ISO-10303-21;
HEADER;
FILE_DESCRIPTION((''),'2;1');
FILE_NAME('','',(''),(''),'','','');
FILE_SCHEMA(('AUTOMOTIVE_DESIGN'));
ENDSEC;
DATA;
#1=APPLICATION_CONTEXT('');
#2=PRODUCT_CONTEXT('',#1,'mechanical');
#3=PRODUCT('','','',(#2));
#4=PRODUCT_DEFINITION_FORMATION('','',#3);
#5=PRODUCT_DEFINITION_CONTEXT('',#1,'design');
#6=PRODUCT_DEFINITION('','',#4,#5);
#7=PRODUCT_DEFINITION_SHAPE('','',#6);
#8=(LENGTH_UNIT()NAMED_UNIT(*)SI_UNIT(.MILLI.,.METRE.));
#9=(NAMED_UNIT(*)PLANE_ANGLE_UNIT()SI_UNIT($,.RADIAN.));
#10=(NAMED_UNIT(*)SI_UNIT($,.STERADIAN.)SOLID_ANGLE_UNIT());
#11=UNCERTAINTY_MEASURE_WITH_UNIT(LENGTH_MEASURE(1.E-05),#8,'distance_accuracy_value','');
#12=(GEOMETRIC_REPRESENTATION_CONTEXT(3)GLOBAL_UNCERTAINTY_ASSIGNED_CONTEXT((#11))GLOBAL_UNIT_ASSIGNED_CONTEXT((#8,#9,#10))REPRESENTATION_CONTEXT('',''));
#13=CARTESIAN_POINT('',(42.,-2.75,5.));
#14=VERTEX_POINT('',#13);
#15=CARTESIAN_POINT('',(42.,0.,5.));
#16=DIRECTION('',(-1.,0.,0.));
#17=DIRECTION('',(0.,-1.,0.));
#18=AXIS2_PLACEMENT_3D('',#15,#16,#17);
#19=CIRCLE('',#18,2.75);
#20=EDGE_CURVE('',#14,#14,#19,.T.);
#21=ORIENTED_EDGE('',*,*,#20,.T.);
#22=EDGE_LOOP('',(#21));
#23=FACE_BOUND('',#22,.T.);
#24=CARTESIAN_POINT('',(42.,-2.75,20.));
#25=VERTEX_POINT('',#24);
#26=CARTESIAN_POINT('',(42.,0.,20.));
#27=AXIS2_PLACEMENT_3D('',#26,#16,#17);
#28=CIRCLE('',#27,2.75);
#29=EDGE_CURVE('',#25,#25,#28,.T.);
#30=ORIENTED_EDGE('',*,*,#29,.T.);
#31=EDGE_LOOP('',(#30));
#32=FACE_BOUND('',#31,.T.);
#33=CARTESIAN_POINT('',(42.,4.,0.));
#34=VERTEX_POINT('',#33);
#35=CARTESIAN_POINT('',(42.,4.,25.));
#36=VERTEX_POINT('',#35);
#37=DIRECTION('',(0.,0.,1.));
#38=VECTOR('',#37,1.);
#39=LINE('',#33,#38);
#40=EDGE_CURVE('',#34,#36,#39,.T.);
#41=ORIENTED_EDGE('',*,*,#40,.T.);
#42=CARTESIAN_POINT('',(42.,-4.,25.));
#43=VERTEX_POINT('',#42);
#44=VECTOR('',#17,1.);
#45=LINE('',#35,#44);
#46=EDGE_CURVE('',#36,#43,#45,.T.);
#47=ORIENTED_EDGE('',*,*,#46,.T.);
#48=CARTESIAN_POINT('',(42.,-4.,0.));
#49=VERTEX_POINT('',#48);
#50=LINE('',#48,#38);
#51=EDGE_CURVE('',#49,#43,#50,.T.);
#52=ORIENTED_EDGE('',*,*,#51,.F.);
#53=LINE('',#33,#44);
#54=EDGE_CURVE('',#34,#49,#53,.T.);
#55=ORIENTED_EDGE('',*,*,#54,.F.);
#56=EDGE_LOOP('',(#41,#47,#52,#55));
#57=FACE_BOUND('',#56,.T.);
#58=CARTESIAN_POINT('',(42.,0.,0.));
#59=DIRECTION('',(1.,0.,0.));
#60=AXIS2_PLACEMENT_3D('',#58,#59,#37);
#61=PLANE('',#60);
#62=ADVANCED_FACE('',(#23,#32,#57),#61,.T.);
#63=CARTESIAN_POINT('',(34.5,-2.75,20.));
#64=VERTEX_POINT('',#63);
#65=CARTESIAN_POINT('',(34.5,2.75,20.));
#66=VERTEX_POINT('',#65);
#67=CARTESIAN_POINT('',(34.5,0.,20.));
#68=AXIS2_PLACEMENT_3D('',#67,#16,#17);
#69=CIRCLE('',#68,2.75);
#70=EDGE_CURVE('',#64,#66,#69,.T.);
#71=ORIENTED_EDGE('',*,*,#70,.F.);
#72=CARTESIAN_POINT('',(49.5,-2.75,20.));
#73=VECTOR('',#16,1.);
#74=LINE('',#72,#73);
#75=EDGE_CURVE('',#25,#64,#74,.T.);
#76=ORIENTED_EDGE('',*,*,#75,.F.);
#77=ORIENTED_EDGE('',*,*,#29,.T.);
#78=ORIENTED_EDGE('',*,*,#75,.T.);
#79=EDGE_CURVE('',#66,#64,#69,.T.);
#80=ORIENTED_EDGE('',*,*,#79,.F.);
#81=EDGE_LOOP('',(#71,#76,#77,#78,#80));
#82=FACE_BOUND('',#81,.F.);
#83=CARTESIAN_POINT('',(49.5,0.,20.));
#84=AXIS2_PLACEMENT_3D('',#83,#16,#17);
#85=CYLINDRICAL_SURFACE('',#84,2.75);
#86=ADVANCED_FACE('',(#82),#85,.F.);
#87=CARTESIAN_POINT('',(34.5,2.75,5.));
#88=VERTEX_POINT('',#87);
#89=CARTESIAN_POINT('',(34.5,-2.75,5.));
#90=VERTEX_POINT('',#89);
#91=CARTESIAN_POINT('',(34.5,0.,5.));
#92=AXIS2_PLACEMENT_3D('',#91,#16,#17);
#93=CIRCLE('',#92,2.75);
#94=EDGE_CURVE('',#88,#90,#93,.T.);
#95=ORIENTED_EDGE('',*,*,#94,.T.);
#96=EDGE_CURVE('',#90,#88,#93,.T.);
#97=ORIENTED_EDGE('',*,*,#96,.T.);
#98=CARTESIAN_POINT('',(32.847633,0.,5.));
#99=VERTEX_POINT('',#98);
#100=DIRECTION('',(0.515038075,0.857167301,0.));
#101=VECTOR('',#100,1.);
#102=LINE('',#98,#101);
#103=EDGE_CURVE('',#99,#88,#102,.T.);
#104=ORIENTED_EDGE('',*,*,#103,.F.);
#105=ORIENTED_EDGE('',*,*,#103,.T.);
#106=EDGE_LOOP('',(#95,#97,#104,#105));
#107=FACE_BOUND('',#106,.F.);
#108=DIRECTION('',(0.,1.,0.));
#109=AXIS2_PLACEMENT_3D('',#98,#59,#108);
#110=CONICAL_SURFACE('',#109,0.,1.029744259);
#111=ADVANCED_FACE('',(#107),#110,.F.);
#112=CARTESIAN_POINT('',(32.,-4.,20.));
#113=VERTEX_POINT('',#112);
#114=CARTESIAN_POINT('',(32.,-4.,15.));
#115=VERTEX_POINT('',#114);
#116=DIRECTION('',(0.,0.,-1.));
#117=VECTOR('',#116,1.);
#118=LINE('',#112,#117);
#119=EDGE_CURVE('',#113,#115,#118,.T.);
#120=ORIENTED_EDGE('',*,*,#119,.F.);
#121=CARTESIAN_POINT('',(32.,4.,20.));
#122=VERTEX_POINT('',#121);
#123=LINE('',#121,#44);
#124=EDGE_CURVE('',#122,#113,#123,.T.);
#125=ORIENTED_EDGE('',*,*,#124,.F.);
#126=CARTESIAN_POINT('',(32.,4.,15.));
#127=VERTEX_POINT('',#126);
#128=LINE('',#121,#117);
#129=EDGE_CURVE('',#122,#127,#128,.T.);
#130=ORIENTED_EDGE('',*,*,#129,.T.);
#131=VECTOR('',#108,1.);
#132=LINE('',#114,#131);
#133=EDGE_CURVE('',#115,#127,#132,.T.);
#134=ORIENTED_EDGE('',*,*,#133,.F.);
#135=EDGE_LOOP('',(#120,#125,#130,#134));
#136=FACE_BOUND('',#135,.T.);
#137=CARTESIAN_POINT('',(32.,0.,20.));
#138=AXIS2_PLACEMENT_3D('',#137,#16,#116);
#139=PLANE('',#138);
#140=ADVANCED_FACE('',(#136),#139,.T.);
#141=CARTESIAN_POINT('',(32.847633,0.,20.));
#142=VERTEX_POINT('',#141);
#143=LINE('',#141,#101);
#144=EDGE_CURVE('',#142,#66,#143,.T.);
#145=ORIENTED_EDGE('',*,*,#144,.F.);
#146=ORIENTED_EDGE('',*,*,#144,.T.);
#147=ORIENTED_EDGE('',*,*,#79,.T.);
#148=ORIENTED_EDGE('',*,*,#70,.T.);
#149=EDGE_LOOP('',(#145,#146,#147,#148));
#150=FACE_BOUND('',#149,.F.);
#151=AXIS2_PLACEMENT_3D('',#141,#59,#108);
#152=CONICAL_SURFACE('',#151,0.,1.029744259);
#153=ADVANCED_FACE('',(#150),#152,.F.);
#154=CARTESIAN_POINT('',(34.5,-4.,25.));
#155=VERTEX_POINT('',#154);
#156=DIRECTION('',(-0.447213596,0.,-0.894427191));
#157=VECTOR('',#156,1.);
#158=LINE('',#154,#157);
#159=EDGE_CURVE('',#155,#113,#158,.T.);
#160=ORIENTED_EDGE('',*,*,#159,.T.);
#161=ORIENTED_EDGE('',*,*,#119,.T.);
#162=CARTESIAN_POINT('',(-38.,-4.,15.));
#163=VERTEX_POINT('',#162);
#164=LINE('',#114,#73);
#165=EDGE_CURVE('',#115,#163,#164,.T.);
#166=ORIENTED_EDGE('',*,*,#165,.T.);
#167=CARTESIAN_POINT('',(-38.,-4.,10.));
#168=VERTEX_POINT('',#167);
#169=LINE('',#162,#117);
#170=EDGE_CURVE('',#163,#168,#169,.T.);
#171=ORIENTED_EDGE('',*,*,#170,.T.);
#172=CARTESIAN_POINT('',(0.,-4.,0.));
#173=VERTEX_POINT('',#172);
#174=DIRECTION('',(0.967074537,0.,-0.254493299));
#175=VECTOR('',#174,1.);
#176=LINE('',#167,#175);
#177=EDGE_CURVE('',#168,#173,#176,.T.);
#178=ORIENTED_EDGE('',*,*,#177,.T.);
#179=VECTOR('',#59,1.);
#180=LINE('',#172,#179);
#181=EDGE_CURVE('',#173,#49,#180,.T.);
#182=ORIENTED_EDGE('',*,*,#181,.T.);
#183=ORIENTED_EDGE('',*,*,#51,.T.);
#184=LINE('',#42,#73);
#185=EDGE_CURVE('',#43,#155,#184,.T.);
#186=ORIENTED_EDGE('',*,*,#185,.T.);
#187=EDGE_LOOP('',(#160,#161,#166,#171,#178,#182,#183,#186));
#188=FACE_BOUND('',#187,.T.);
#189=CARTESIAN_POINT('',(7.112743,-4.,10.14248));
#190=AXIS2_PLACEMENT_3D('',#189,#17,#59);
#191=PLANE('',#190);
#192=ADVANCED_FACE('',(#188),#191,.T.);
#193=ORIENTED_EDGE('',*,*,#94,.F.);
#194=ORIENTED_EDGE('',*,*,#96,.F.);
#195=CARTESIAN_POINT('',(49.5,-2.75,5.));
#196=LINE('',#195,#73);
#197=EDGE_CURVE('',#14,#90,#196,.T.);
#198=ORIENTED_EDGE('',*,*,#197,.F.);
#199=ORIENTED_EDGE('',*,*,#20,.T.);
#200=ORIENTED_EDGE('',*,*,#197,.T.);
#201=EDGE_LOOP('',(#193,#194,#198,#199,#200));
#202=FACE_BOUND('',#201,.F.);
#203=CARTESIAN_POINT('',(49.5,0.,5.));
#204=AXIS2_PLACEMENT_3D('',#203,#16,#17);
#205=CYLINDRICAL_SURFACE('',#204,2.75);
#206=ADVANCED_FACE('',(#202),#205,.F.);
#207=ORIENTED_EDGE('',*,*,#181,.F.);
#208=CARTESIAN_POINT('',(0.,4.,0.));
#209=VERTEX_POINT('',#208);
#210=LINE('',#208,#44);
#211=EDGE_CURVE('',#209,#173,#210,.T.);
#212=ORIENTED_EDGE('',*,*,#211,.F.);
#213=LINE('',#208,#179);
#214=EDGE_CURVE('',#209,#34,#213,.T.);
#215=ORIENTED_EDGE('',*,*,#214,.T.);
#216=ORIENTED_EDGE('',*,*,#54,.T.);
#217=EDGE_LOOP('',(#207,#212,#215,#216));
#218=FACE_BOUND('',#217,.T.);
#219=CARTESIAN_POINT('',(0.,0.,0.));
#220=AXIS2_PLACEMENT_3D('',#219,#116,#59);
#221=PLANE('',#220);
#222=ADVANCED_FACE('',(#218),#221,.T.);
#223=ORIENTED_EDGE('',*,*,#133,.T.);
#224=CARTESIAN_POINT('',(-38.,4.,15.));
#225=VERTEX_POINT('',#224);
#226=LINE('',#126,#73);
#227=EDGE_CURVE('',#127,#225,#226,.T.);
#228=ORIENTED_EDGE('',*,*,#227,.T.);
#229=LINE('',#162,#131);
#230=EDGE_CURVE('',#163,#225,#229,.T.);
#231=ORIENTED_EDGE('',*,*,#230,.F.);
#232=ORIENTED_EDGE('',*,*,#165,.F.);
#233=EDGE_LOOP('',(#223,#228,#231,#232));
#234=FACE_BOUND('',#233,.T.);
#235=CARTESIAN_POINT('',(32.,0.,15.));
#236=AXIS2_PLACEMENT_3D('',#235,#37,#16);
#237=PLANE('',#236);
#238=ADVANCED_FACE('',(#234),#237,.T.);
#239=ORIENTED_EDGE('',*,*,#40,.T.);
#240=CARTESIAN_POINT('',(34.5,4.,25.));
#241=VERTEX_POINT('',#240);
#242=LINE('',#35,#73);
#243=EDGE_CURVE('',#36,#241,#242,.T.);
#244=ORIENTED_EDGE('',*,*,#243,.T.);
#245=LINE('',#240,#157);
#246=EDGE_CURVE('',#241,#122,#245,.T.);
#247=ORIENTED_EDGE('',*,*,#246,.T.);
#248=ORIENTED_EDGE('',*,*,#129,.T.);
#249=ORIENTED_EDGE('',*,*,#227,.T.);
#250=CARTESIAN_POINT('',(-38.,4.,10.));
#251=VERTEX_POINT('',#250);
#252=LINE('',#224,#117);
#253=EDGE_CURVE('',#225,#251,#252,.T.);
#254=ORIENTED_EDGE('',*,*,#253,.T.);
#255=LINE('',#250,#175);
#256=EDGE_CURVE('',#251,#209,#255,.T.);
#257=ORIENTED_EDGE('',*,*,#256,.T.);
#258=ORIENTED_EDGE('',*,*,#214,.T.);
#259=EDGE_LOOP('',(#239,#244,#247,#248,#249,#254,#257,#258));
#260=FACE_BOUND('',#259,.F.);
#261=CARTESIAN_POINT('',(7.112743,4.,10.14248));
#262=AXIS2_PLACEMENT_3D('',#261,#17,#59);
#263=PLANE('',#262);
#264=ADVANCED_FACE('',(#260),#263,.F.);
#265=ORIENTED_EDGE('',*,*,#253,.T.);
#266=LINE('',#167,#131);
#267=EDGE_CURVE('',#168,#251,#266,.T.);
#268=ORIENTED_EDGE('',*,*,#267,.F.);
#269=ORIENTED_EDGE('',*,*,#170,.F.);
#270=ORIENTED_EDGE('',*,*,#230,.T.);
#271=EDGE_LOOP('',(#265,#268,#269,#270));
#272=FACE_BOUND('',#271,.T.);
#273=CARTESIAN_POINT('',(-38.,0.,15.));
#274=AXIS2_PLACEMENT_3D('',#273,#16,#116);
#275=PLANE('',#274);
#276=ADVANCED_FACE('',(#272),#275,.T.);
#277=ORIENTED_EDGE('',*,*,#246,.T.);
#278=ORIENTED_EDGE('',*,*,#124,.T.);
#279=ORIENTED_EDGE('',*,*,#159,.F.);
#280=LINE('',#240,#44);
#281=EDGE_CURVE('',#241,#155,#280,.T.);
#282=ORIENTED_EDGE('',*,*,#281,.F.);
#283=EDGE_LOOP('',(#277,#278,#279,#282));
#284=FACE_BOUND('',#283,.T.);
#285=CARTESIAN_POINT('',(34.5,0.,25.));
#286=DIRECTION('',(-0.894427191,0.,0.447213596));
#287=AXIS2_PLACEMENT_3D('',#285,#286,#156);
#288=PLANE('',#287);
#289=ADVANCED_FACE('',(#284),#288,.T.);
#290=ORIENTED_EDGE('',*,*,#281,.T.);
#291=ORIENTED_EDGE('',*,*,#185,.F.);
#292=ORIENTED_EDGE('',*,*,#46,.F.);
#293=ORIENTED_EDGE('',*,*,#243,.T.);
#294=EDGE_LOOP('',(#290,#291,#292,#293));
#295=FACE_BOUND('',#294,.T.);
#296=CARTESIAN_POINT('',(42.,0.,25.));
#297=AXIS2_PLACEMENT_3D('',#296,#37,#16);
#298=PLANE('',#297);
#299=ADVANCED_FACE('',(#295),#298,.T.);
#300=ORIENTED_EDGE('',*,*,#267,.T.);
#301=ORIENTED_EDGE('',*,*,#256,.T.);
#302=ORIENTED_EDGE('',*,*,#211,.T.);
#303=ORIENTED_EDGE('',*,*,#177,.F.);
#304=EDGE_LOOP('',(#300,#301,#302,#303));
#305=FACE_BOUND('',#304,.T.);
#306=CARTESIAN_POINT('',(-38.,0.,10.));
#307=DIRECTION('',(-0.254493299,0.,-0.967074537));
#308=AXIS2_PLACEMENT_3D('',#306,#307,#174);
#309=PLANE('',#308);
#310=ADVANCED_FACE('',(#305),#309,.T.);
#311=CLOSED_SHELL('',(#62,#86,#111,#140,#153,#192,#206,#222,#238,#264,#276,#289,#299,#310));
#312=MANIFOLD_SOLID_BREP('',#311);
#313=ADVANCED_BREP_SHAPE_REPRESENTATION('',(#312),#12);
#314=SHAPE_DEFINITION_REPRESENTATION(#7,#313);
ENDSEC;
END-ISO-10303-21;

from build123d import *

# Parameters (mm, degrees)
F1_DEPTH      = 4
F1_DEPTH_BACK = 4
F3_D          = 5.5
F3_DEPTH      = 7.5
F3_TIP        = 1.6523667023


with BuildPart() as f1:
    # F0 (on Front) → F1 (new body, two sides)
    with BuildSketch(Plane.XZ) as f1_sk:
        Polygon((-38, 10), (0, 0), (42, 0), (42, 25), (34.5, 25), (32, 20), (32, 15), (-38, 15), align=None)
    extrude(amount=F1_DEPTH)
    extrude(f1_sk.sketch, amount=-F1_DEPTH_BACK)

    # F3
    with Locations(Plane.YZ.offset(42)):
        with Locations((0, 20), (0, 5)):
            Hole(F3_D / 2, depth=F3_DEPTH)
            with Locations((0, 0, -(F3_DEPTH + F3_TIP / 2))):  # 118° drill point
                Cone(0, F3_D / 2, F3_TIP, mode=Mode.SUBTRACT)


solid = f1.part
